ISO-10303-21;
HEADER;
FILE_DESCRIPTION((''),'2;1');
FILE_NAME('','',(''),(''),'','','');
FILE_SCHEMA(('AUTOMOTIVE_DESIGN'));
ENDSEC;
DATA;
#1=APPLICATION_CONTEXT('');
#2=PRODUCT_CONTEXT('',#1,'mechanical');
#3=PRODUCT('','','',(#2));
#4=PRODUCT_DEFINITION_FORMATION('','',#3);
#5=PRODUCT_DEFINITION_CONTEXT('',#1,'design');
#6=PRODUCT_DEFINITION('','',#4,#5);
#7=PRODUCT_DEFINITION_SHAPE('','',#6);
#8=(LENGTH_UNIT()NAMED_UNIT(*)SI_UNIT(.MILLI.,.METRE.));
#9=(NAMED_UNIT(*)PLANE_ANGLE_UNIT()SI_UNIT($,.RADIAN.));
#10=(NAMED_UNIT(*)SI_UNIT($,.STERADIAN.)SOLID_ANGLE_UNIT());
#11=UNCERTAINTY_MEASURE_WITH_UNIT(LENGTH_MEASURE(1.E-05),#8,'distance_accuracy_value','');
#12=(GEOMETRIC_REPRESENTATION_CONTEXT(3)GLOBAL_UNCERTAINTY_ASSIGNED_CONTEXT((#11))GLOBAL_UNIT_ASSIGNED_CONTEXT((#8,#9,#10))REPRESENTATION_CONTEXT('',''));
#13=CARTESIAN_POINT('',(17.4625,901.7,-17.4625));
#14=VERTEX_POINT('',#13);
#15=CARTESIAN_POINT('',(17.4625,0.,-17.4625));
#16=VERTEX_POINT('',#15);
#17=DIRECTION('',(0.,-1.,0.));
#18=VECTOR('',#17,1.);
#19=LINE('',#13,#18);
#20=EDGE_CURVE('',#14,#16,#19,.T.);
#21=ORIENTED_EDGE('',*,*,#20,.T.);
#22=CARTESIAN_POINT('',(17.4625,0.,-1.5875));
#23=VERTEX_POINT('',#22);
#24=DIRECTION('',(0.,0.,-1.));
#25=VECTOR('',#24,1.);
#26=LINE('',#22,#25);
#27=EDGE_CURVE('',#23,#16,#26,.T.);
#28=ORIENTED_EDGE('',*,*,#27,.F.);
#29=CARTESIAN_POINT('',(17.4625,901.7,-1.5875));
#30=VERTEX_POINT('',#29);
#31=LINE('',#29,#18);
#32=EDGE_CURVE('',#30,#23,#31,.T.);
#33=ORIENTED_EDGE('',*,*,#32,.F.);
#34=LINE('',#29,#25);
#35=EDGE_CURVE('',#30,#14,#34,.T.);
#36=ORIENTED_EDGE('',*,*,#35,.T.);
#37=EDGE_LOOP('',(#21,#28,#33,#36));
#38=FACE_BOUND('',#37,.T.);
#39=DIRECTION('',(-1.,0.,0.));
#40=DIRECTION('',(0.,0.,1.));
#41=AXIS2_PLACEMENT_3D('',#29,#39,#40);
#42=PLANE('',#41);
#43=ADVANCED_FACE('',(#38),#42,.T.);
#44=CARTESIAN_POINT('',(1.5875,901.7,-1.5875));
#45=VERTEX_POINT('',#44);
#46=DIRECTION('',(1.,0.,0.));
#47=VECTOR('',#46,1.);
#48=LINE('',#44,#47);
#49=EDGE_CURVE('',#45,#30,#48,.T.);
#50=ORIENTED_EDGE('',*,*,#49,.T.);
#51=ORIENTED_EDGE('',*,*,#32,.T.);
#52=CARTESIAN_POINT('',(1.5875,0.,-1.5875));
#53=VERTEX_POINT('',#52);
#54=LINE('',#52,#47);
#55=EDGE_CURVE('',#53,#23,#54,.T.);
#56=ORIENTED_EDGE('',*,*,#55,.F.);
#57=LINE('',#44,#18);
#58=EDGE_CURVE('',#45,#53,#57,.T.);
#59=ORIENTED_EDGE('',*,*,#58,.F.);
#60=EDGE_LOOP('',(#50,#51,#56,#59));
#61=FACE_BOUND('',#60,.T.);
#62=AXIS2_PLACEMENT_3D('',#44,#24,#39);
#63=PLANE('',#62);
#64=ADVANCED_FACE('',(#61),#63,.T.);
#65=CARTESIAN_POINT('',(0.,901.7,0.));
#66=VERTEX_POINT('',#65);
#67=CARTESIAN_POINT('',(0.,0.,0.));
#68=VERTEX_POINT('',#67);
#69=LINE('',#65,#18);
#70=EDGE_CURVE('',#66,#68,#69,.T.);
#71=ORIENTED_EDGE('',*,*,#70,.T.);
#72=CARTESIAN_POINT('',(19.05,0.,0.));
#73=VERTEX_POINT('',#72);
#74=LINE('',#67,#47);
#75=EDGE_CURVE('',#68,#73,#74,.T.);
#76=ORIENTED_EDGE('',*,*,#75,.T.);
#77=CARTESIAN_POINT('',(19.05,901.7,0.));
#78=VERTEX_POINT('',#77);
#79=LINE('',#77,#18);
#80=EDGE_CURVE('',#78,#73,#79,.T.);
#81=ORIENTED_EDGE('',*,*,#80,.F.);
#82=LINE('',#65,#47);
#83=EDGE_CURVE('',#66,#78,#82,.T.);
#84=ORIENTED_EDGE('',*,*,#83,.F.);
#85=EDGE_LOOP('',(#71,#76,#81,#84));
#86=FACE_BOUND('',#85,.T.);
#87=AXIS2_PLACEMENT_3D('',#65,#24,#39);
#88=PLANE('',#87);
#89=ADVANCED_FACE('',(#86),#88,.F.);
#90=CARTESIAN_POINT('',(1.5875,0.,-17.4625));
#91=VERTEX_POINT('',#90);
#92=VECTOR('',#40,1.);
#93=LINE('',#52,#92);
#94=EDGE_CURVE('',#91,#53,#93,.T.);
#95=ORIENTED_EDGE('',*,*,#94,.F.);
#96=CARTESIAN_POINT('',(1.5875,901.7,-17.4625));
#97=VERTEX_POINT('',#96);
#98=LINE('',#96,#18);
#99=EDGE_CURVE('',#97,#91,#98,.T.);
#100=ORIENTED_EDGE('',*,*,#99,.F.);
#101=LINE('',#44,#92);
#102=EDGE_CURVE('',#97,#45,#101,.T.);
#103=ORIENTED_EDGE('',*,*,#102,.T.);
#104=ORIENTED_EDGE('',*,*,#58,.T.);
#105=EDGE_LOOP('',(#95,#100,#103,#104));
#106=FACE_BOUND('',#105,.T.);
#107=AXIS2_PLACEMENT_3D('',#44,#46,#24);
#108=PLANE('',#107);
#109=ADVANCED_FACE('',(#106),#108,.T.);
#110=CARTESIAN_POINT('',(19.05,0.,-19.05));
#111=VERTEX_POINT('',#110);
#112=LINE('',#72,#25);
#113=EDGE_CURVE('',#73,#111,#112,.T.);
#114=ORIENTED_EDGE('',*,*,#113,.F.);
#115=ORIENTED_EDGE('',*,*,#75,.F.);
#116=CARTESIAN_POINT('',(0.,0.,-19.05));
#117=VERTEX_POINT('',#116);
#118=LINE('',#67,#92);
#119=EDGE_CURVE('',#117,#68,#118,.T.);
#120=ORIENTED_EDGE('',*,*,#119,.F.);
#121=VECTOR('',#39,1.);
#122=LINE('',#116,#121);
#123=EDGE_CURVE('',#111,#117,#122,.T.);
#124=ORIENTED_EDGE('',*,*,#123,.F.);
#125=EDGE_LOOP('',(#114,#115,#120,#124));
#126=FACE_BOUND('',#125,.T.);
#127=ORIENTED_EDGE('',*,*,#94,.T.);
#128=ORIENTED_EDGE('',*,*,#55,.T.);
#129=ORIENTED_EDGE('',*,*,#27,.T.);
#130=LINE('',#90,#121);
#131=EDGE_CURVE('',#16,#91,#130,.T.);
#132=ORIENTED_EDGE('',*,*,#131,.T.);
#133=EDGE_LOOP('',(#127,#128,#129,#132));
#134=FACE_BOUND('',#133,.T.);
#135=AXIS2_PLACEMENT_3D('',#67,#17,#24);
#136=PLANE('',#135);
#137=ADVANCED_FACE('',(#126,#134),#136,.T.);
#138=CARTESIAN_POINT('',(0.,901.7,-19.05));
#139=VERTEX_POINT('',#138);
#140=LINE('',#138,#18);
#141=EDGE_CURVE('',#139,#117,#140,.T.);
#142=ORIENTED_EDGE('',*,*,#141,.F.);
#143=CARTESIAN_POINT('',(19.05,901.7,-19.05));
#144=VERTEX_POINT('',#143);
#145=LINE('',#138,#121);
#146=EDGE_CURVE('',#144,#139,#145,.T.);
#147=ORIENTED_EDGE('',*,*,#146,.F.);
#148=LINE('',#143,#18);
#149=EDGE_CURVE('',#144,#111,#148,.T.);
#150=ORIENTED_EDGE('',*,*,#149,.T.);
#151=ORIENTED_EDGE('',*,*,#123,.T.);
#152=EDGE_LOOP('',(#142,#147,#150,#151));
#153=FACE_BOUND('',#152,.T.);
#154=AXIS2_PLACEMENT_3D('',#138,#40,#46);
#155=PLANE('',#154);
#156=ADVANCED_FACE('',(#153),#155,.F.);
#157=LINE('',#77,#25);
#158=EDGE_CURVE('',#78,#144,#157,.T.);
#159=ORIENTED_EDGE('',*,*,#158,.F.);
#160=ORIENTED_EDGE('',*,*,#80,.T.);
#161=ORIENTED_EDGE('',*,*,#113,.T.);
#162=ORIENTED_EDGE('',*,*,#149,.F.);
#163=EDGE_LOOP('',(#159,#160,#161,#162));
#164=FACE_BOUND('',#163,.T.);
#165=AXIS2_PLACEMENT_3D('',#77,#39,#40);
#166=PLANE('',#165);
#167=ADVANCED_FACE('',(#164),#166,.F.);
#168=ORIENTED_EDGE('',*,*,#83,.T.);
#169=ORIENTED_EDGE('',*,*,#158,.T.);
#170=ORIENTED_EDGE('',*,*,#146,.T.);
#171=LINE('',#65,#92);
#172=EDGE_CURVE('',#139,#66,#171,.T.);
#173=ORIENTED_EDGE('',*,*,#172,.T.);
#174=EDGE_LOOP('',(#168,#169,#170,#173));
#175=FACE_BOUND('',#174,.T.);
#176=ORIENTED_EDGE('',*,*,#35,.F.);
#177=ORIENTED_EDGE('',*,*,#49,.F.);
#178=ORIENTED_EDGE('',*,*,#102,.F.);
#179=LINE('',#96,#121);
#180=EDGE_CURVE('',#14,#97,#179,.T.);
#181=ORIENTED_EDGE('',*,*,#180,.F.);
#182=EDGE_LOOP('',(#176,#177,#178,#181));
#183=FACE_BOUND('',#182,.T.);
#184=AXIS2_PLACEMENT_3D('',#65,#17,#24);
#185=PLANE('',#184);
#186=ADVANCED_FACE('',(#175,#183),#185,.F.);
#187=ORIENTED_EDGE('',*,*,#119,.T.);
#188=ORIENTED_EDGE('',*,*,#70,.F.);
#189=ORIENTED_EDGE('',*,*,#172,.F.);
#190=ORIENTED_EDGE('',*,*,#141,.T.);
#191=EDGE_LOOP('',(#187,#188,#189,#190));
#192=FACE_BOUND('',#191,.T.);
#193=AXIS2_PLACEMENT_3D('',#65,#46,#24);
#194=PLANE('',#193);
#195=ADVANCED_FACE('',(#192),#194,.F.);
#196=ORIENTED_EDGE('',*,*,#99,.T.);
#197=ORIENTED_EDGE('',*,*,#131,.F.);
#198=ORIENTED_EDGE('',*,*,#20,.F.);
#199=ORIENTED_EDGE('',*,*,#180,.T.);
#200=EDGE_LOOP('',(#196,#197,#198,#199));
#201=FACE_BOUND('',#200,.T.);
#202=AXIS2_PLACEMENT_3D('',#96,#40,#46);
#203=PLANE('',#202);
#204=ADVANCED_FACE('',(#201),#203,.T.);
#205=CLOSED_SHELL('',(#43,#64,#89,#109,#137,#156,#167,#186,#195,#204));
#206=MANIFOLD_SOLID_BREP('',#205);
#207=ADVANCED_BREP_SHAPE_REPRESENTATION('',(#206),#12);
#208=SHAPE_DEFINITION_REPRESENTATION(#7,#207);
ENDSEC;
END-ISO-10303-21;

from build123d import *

# Parameters (mm, degrees)
SKETCH1_W           = 19.05
SKETCH1_H           = 19.05
SKETCH1_W_2         = 15.875
SKETCH1_H_2         = 15.875
BOSS_EXTRUDE1_DEPTH = 901.7


with BuildPart() as part:
    # Sketch1 → Boss-Extrude1 (new body)
    with BuildSketch(Plane(origin=(0, 0, 0), x_dir=(1, 0, 0), z_dir=(0, 1, 0))):
        with Locations((9.525, 9.525)):
            Rectangle(SKETCH1_W, SKETCH1_H)
        with Locations((9.525, 9.525)):
            Rectangle(SKETCH1_W_2, SKETCH1_H_2, mode=Mode.SUBTRACT)
    extrude(amount=BOSS_EXTRUDE1_DEPTH)


solid = part.part
